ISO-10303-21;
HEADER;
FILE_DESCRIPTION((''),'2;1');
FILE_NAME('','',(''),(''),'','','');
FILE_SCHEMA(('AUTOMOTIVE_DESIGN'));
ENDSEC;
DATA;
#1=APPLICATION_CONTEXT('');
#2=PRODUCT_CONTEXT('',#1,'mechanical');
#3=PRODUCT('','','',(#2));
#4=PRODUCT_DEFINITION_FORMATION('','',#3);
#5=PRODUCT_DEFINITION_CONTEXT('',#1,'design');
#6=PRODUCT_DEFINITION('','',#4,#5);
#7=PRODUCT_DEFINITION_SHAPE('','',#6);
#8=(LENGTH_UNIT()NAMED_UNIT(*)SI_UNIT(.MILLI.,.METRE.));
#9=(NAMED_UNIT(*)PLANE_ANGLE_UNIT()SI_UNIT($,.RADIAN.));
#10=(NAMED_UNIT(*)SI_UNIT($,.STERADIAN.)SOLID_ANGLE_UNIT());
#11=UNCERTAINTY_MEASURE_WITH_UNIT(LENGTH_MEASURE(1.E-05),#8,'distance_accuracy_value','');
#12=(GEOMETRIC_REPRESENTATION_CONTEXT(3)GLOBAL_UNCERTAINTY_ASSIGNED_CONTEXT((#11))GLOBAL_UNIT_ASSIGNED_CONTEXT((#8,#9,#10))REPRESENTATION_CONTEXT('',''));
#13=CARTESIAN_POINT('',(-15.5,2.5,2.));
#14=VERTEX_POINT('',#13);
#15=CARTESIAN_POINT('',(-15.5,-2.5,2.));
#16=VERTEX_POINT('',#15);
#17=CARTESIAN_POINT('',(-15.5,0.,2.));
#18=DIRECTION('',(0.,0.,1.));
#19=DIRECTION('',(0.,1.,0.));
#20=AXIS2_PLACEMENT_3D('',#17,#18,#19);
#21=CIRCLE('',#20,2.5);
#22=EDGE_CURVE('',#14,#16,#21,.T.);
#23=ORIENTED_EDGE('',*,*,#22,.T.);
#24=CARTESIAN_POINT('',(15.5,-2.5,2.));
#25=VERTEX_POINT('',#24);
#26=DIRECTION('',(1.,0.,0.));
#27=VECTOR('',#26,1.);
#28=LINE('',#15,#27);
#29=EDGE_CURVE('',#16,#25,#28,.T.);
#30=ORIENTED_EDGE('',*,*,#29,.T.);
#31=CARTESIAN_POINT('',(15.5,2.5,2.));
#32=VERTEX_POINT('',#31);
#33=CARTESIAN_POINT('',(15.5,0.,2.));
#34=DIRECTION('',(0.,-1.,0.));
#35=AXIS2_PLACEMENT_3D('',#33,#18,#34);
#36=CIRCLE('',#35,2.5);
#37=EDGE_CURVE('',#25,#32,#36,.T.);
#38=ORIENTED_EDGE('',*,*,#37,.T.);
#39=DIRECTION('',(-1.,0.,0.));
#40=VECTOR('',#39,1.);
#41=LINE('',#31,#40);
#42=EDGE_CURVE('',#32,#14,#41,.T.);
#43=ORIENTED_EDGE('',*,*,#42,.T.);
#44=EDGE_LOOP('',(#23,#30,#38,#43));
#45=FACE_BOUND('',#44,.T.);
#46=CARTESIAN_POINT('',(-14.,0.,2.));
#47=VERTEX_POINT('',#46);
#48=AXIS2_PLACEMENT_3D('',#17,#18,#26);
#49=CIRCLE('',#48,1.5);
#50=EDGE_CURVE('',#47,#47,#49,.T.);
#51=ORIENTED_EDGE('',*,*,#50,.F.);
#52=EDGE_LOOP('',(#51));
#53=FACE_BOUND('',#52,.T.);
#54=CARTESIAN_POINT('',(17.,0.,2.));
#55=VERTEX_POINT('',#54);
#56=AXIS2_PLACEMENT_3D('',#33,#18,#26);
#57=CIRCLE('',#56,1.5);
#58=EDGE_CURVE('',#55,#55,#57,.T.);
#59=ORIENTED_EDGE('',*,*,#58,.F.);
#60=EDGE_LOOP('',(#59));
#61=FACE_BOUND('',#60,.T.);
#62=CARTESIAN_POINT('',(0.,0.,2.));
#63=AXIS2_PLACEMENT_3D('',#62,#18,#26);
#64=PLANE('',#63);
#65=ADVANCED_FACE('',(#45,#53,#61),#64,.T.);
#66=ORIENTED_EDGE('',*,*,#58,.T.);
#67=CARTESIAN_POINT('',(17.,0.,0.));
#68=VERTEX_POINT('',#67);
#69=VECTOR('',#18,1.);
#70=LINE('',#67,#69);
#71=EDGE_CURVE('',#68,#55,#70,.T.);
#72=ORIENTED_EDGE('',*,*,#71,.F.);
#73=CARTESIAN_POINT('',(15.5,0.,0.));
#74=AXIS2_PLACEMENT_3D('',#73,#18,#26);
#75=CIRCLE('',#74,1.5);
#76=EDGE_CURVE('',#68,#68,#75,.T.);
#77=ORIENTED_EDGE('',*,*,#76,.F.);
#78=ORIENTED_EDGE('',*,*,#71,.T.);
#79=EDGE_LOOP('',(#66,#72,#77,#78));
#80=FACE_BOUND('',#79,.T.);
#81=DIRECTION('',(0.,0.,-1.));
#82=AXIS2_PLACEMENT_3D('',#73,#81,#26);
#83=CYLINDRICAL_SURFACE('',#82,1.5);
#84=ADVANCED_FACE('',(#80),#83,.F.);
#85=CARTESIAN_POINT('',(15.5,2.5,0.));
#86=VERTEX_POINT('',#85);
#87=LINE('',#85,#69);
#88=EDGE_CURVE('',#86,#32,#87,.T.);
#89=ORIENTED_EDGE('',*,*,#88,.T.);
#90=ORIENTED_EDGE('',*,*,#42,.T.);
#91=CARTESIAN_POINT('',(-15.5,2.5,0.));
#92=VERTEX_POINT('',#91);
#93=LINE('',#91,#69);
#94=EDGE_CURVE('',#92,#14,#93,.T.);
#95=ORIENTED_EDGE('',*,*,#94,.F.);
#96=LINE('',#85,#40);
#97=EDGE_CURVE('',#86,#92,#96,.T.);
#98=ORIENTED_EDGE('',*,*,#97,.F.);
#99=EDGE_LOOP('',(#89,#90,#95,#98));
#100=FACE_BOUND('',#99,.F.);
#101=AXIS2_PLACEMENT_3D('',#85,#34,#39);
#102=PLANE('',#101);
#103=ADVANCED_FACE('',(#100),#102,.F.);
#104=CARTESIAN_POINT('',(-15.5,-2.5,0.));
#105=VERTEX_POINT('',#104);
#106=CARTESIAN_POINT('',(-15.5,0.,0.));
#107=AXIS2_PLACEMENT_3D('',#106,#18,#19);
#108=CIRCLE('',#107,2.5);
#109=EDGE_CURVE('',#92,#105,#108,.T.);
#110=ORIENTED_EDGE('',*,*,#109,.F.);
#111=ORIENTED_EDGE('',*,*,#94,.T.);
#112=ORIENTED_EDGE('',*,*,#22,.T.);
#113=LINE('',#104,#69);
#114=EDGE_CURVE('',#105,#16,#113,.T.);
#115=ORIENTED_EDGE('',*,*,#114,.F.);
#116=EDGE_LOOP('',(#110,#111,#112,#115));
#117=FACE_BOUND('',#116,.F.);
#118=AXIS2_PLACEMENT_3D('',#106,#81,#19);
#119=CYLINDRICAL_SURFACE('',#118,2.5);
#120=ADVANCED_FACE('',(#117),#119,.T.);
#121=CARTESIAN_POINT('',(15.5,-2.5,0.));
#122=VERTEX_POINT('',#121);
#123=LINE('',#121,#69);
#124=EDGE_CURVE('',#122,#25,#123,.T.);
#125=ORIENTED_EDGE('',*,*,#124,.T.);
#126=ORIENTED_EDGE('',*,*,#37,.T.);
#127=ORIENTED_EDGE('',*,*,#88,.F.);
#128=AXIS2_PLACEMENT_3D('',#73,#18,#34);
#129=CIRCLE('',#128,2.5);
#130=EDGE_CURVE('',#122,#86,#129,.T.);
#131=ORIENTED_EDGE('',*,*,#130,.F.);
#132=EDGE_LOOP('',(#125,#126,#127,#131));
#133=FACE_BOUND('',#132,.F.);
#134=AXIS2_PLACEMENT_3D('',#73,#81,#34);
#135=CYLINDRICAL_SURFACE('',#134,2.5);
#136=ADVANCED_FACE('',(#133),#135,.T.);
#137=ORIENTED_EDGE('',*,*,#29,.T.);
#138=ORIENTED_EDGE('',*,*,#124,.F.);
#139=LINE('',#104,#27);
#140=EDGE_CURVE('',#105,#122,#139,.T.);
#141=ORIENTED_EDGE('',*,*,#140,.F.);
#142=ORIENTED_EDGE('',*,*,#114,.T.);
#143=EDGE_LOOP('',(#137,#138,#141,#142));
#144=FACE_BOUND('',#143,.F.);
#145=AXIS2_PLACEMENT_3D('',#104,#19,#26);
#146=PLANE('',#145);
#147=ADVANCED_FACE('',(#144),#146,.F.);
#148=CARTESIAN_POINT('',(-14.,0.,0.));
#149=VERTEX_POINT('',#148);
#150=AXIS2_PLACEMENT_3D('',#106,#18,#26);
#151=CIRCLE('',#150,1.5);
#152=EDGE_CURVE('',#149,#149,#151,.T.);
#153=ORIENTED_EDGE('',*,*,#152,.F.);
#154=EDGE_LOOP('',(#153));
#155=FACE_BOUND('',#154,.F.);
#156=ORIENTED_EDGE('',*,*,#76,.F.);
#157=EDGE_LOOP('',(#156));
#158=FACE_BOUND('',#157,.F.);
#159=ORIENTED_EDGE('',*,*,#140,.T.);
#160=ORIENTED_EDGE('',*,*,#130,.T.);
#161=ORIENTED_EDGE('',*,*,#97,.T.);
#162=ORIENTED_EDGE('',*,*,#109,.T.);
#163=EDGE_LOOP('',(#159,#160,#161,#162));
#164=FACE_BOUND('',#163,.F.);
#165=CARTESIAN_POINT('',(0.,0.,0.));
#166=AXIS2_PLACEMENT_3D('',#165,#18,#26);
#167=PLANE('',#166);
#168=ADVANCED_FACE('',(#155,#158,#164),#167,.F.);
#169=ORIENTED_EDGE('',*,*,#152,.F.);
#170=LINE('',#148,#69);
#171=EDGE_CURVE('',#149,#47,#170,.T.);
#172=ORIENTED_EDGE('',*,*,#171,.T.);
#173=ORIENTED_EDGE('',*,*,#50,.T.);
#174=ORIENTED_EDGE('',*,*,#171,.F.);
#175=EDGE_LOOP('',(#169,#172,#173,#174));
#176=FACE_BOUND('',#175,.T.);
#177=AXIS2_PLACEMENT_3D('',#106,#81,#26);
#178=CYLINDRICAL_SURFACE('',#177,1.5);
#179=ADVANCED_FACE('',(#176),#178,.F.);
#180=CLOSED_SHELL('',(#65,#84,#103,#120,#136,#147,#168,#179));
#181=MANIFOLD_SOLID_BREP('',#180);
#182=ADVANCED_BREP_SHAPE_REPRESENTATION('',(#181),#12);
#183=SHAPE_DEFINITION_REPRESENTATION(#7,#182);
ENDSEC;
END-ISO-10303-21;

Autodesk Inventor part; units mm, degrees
ref_plane "YZ Plane" through (0, 0, 0) normal (1, 0, 0) x (0, 1, 0)
ref_plane "XZ Plane" through (0, 0, 0) normal (0, 1, 0) x (-1, 0, 0)
ref_plane "XY Plane" through (0, 0, 0) normal (0, 0, 1) x (1, 0, 0)
sketch "Sketch1" plane through (0, 0, 0) normal (0, 0, 1) x (1, 0, 0)
  line L0 (-15.5, 0) -> (15.5, 0) construction
  line L1 (-15.5, -2.5) -> (15.5, -2.5)
  line L2 (15.5, 2.5) -> (-15.5, 2.5)
  arc A0 (-15.5, 2.5) -> (-15.5, -2.5) centre (-15.5, 0) ccw
  arc A1 (15.5, -2.5) -> (15.5, 2.5) centre (15.5, 0) ccw
  circle A2 centre (-15.5, 0) radius 1.5
  circle A3 centre (15.5, 0) radius 1.5
  point P0 (0, 0)
  point P1 (0, 0)
  dimension "d0" = 5
  dimension "d1" = 31
  dimension "d2" = 3
  dimension "d3" = 3
extrude "Extrusion1" add sketch "Sketch1" along normal blind 2
properties part number "gripper_mechanism2"
